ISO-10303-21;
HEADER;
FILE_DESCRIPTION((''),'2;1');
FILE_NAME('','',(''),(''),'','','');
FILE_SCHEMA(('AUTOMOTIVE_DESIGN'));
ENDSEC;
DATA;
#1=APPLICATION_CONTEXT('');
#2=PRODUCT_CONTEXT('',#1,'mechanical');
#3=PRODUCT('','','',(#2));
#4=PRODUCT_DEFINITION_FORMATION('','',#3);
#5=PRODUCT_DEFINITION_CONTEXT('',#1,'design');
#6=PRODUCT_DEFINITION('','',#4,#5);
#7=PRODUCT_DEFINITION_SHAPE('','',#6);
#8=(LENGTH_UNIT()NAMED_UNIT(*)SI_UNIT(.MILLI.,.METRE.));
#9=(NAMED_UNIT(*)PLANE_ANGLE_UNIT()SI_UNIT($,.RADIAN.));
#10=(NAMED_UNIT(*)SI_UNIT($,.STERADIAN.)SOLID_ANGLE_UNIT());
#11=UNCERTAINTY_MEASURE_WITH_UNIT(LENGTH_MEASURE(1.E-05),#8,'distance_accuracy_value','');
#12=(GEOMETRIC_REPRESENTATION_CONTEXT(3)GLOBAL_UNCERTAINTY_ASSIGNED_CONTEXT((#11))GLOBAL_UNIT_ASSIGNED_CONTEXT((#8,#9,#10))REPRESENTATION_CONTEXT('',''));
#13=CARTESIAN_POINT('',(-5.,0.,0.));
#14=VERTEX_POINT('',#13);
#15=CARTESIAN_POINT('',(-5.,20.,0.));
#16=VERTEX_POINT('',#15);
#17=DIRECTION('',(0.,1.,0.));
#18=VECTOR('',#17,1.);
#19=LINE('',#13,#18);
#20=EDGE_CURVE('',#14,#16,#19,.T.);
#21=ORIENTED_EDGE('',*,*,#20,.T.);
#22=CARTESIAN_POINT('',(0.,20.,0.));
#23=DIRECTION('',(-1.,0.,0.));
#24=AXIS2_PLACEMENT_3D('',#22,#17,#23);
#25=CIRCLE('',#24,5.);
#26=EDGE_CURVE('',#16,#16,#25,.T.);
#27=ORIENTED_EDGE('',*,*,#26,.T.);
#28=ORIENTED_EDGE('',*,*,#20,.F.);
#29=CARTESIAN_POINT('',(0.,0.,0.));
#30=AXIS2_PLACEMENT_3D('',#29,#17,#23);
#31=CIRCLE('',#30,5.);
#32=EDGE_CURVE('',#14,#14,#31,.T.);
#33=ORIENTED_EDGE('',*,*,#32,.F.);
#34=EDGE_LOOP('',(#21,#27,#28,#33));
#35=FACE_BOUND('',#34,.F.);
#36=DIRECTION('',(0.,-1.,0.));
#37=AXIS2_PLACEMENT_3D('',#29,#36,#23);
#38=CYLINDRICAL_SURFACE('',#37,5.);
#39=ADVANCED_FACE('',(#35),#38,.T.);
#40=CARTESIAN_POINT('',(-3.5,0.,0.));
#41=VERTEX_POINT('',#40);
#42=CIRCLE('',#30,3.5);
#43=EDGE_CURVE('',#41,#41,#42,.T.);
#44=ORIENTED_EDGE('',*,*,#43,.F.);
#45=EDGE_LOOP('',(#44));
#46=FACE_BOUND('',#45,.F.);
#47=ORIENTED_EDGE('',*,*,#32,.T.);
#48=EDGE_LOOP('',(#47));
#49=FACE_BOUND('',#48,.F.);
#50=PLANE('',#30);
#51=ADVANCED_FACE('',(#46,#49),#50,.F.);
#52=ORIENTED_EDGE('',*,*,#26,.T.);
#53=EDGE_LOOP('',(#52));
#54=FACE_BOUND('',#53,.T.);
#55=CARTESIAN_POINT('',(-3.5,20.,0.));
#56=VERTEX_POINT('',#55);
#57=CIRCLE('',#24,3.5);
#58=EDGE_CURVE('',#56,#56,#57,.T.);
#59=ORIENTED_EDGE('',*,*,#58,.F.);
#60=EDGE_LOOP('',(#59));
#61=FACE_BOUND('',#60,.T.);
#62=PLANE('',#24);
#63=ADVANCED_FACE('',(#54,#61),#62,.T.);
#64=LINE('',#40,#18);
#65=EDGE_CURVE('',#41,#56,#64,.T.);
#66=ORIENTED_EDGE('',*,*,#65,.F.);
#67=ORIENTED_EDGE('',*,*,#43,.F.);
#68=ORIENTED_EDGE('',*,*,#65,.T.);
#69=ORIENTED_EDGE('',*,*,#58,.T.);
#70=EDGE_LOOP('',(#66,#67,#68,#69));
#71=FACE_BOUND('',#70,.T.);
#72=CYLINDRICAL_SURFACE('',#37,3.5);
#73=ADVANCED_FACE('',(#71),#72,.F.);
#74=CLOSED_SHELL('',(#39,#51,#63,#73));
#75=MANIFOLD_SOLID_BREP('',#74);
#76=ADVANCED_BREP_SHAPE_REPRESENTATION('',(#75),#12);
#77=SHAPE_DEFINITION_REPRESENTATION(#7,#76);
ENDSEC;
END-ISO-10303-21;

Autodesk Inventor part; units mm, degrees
ref_plane "YZ Plane" through (0, 0, 0) normal (1, 0, 0) x (0, 1, 0)
ref_plane "XZ Plane" through (0, 0, 0) normal (0, 1, 0) x (-1, 0, 0)
ref_plane "XY Plane" through (0, 0, 0) normal (0, 0, 1) x (1, 0, 0)
sketch "Skizze1" plane through (0, 0, 0) normal (0, 1, 0) x (-1, 0, 0)
  point P0 (0, 0)
sketch "Skizze2" plane through (0, 0, 0) normal (0, 1, 0) x (-1, 0, 0)
  circle A0 centre (0, 0) radius 5
  circle A1 centre (0, 0) radius 3.5
  dimension "d0" = 10
  dimension "d1" = 7
extrude "Extrusion1" add sketch "Skizze2" along normal blind 20
thread "Gewinde1" size "M10x1.5" class "6g" standard "ISO Metric profile" length 9
properties part number "1082"
